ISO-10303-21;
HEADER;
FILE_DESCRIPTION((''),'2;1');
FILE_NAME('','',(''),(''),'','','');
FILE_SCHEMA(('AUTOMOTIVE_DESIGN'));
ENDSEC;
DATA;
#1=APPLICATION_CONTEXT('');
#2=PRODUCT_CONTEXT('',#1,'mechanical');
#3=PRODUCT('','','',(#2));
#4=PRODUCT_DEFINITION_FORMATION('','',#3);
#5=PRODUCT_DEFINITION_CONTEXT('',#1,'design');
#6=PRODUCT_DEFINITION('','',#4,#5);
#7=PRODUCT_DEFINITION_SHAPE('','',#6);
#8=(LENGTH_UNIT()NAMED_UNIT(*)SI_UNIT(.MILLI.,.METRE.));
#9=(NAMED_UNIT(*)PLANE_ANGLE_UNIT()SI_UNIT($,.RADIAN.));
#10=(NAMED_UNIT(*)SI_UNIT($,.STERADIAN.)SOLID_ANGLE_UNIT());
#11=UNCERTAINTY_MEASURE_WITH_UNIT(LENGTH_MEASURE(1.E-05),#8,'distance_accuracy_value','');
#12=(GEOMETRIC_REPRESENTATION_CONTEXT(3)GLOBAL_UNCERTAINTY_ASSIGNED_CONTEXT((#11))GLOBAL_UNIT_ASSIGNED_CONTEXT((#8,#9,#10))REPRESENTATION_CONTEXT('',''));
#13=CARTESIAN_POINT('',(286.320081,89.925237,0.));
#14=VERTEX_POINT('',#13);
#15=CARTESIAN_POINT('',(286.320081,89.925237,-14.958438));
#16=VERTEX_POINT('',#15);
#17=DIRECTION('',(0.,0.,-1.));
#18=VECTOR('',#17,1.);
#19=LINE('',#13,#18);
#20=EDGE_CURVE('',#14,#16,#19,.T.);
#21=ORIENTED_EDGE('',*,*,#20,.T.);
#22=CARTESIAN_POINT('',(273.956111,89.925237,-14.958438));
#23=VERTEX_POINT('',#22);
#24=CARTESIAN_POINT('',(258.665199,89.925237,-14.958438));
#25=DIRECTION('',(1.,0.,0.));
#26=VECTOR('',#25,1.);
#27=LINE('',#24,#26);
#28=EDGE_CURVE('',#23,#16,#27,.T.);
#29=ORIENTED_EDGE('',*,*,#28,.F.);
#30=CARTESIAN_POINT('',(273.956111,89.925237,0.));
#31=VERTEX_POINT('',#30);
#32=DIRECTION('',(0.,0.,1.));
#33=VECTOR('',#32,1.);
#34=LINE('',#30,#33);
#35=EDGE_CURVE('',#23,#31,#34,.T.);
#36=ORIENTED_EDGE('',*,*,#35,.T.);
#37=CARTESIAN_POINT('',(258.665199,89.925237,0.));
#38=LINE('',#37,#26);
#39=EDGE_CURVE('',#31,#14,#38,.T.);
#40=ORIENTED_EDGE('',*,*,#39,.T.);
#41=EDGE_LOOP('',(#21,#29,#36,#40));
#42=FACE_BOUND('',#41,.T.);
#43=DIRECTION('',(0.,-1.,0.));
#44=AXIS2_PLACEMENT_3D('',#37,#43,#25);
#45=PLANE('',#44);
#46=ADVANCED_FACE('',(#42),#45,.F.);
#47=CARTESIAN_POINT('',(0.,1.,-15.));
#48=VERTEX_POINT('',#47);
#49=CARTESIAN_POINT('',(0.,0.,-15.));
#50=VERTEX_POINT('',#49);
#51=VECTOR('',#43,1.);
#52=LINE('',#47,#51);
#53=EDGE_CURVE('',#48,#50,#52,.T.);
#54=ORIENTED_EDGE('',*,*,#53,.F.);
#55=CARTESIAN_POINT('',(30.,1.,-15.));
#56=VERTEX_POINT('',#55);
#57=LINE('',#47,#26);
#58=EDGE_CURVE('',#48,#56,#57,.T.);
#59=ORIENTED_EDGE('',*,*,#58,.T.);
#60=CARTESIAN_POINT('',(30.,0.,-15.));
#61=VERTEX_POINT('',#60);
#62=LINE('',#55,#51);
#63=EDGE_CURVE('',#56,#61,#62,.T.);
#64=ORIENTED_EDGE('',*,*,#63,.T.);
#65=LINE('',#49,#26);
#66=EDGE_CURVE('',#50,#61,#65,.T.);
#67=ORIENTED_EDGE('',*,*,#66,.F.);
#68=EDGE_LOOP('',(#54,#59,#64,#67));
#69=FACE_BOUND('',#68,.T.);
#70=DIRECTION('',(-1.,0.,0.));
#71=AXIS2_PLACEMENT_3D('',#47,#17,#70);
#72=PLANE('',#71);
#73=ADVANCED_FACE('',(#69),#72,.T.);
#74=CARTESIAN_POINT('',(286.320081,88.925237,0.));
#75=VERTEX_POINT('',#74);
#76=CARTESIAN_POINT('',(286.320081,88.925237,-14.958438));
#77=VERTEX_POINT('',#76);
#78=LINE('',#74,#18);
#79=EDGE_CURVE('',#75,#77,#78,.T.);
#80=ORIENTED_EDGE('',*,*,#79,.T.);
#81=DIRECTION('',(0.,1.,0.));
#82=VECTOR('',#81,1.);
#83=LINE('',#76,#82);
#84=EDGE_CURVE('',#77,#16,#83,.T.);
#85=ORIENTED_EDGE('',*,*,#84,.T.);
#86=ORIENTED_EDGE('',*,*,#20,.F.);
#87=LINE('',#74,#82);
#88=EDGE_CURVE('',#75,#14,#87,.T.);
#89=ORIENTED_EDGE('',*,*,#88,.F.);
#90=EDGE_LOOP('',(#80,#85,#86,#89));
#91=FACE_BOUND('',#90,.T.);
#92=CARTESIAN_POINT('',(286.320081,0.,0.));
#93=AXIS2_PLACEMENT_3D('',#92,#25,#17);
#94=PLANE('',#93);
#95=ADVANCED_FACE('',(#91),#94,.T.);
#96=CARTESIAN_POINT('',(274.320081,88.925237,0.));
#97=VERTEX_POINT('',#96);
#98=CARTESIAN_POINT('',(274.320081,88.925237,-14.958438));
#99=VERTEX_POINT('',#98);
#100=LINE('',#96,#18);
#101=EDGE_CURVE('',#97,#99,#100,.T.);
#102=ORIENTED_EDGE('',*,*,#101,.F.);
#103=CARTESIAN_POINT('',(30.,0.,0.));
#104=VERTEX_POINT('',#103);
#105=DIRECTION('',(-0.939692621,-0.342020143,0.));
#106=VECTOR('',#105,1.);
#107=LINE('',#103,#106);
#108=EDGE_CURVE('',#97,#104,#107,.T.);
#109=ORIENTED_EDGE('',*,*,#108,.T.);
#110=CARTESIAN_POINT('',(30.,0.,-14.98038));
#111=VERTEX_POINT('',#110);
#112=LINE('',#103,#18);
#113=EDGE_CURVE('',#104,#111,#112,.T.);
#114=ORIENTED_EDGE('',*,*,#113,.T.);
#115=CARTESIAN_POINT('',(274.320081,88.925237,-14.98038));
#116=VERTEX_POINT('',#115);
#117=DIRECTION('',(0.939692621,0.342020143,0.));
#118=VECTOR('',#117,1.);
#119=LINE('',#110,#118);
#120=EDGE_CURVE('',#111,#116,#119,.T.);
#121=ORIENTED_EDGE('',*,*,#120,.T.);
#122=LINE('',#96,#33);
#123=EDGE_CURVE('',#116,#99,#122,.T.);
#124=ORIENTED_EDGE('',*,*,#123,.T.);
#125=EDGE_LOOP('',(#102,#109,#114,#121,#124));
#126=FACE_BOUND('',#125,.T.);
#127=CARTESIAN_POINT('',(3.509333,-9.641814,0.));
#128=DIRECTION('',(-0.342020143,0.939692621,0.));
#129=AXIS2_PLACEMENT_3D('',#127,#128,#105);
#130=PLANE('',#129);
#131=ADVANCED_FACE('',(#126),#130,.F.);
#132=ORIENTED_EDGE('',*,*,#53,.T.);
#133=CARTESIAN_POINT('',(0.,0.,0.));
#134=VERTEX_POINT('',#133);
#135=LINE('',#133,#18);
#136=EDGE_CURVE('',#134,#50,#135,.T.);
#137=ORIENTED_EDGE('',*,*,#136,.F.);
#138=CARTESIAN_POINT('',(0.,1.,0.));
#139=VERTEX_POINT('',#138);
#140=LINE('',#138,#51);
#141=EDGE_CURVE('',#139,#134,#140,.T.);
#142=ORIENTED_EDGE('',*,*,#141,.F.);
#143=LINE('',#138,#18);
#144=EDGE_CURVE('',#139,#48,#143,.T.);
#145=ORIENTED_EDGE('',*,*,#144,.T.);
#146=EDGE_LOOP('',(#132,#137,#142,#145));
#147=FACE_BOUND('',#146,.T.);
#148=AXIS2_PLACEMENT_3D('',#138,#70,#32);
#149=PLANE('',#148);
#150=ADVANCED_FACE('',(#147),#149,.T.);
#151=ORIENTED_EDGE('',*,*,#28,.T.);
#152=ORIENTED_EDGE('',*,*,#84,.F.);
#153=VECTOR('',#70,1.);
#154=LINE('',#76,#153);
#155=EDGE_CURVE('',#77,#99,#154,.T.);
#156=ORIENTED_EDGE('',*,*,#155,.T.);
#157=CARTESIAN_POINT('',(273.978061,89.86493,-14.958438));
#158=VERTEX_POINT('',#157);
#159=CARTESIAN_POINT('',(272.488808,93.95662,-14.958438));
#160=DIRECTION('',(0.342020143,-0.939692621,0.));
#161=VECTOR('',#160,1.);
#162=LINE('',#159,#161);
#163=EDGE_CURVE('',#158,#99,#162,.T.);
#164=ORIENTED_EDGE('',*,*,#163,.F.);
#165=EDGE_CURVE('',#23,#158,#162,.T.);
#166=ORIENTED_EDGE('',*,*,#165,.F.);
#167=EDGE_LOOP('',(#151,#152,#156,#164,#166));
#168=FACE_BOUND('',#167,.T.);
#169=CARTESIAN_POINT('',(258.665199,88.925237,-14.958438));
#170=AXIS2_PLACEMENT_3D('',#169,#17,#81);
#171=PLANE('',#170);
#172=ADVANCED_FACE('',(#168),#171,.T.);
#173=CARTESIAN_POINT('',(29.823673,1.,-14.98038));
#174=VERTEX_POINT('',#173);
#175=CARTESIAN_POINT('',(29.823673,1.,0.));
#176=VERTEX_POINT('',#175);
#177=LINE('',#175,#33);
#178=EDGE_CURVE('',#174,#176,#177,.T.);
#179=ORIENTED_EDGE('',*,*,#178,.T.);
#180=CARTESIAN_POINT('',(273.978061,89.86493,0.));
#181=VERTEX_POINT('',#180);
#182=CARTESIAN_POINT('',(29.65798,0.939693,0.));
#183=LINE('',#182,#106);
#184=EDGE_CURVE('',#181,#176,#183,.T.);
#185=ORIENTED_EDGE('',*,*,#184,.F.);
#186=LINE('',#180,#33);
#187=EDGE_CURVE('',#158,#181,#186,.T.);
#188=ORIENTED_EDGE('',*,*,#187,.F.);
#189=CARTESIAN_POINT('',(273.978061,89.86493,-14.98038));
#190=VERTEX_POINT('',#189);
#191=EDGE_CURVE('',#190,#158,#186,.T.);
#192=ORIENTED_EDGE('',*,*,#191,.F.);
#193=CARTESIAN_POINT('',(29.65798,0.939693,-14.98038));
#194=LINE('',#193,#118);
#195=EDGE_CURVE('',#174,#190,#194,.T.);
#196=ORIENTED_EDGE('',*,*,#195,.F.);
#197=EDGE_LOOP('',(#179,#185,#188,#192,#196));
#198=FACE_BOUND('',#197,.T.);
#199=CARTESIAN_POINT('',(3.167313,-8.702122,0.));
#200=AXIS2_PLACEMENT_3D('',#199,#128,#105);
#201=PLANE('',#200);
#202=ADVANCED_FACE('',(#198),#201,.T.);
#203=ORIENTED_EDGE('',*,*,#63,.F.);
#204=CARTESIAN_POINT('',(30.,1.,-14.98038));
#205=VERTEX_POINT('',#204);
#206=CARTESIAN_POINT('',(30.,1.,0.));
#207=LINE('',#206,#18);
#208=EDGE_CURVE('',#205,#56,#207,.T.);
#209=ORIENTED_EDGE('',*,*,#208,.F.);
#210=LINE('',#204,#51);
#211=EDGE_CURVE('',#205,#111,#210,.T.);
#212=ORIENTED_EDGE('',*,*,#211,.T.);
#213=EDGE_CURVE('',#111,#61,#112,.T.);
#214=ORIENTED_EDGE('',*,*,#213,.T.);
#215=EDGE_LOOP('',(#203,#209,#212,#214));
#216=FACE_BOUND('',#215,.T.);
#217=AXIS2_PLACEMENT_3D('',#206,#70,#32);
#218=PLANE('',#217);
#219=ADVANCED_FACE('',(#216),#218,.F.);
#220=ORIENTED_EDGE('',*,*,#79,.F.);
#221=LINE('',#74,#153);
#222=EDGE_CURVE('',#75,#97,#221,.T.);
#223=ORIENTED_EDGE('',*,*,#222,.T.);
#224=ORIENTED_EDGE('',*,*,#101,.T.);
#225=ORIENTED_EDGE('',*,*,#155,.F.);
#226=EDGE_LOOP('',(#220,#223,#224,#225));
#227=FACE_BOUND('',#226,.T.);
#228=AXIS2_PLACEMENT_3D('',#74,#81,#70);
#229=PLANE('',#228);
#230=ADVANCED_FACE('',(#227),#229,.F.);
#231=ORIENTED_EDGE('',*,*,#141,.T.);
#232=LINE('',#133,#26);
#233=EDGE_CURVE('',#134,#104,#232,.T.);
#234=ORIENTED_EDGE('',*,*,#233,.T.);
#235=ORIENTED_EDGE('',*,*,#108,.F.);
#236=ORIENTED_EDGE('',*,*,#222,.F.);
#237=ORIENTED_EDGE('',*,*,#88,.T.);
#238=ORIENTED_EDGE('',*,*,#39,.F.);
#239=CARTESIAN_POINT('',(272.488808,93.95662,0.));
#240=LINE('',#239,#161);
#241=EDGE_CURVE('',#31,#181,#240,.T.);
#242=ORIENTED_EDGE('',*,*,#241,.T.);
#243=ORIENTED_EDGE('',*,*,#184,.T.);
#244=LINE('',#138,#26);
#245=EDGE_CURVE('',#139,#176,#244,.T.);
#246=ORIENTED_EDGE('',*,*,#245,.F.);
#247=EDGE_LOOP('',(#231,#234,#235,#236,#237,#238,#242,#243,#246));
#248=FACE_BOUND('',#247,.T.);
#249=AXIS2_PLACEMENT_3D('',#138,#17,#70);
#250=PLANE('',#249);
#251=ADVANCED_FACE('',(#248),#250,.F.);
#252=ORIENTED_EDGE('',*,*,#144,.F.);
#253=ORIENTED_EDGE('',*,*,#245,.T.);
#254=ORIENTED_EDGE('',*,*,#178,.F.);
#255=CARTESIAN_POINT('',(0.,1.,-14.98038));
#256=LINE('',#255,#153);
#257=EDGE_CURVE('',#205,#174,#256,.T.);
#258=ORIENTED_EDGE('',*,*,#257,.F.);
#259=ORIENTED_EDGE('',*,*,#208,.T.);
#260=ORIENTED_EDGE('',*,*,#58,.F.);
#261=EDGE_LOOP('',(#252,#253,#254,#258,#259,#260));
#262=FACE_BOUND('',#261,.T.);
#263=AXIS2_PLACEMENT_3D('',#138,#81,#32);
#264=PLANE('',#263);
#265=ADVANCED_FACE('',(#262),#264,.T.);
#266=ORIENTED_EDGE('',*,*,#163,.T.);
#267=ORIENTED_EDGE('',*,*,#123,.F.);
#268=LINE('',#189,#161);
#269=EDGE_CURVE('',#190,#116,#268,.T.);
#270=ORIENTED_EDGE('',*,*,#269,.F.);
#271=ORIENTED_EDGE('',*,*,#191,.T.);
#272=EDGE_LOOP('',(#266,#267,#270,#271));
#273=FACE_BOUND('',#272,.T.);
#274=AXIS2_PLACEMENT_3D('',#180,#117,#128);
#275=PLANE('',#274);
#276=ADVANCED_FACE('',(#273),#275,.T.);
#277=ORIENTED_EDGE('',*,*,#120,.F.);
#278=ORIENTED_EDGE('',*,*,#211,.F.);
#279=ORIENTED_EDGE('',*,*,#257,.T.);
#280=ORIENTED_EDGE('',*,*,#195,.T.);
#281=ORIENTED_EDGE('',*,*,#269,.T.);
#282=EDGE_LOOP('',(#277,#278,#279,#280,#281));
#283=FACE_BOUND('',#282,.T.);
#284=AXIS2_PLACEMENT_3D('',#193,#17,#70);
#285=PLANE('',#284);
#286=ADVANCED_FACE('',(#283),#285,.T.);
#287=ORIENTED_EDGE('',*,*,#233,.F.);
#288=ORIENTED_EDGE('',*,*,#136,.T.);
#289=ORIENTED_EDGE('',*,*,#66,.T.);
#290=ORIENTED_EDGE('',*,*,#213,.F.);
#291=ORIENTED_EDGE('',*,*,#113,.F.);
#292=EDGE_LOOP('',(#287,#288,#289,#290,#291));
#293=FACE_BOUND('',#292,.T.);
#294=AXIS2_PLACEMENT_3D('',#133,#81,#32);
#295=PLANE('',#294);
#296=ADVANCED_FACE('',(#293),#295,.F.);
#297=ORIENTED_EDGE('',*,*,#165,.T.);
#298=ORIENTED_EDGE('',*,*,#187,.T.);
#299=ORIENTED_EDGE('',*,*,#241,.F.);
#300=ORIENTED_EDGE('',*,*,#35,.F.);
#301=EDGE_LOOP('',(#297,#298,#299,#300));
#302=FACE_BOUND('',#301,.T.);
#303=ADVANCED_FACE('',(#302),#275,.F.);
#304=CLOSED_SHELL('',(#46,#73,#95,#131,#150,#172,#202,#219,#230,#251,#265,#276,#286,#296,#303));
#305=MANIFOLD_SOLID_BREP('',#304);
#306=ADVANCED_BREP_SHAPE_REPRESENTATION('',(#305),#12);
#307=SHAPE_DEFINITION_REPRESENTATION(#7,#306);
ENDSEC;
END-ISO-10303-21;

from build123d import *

# Parameters (mm, degrees)
SKETCH2_W                       = 30
SKETCH2_H                       = 15
BOSS_EXTRUDE1_DEPTH             = 1
SKETCH4_W                       = 14.98037952
SKETCH4_H                       = 260
BOSS_EXTRUDE2_DEPTH             = 1
SKETCH6_W                       = 14.958437981
SKETCH6_H                       = 1
BOSS_EXTRUDE3_DEPTH             = 12
BOSS_EXTRUDE3_DIRECTION_2_REACH = 291.054


with BuildPart() as part:
    # Sketch2 → Boss-Extrude1 (new body)
    with BuildSketch(Plane(origin=(0, 0, 0), x_dir=(1, 0, 0), z_dir=(0, 1, 0))):
        with Locations((15, 7.5)):
            Rectangle(SKETCH2_W, SKETCH2_H)
    extrude(amount=BOSS_EXTRUDE1_DEPTH)

    # Sketch4 → Boss-Extrude2 (add)
    with BuildSketch(Plane(origin=(3.509333353, -9.641814145, 0), x_dir=(0, 0, -1), z_dir=(0.34202014332566616, -0.9396926207859094, 0))):
        with Locations((7.49018976, 158.190778624)):
            Rectangle(SKETCH4_W, SKETCH4_H)
    extrude(amount=-BOSS_EXTRUDE2_DEPTH)

    # Sketch6 → Boss-Extrude3 (add)
    with BuildSketch(Plane(origin=(274.320081404, 0, 0), x_dir=(0, 0, 1), z_dir=(1, 0, 0))):
        with Locations((-7.479218991, -89.425237265)):
            Rectangle(SKETCH6_W, SKETCH6_H)
    extrude(amount=BOSS_EXTRUDE3_DEPTH)

    # Boss-Extrude3 direction 2: up to this face of the body (flat: up to its plane)
    boss_extrude3_direction_2_end = Plane(part.part.faces().sort_by_distance((274.149071333, 89.395083575, -7.49018976))[0])
    # Sketch6 → Boss-Extrude3 direction 2 (add, up to the picked face)
    with BuildSketch(Plane(origin=(274.320081404, 0, 0), x_dir=(0, 0, 1), z_dir=(1, 0, 0)), mode=Mode.PRIVATE) as boss_extrude3_direction_2_sk1:
        with Locations((-7.479218991, -89.425237265)):
            Rectangle(SKETCH6_W, SKETCH6_H)
    boss_extrude3_direction_2_tool1 = split(extrude(boss_extrude3_direction_2_sk1.sketch, amount=-BOSS_EXTRUDE3_DIRECTION_2_REACH, mode=Mode.PRIVATE), bisect_by=boss_extrude3_direction_2_end, keep=Keep.BOTH, mode=Mode.PRIVATE)
    add(boss_extrude3_direction_2_tool1.solids().sort_by(Axis((274.320081, 89.425237, -7.479219), (-1, 0, 0)))[0])


solid = part.part
